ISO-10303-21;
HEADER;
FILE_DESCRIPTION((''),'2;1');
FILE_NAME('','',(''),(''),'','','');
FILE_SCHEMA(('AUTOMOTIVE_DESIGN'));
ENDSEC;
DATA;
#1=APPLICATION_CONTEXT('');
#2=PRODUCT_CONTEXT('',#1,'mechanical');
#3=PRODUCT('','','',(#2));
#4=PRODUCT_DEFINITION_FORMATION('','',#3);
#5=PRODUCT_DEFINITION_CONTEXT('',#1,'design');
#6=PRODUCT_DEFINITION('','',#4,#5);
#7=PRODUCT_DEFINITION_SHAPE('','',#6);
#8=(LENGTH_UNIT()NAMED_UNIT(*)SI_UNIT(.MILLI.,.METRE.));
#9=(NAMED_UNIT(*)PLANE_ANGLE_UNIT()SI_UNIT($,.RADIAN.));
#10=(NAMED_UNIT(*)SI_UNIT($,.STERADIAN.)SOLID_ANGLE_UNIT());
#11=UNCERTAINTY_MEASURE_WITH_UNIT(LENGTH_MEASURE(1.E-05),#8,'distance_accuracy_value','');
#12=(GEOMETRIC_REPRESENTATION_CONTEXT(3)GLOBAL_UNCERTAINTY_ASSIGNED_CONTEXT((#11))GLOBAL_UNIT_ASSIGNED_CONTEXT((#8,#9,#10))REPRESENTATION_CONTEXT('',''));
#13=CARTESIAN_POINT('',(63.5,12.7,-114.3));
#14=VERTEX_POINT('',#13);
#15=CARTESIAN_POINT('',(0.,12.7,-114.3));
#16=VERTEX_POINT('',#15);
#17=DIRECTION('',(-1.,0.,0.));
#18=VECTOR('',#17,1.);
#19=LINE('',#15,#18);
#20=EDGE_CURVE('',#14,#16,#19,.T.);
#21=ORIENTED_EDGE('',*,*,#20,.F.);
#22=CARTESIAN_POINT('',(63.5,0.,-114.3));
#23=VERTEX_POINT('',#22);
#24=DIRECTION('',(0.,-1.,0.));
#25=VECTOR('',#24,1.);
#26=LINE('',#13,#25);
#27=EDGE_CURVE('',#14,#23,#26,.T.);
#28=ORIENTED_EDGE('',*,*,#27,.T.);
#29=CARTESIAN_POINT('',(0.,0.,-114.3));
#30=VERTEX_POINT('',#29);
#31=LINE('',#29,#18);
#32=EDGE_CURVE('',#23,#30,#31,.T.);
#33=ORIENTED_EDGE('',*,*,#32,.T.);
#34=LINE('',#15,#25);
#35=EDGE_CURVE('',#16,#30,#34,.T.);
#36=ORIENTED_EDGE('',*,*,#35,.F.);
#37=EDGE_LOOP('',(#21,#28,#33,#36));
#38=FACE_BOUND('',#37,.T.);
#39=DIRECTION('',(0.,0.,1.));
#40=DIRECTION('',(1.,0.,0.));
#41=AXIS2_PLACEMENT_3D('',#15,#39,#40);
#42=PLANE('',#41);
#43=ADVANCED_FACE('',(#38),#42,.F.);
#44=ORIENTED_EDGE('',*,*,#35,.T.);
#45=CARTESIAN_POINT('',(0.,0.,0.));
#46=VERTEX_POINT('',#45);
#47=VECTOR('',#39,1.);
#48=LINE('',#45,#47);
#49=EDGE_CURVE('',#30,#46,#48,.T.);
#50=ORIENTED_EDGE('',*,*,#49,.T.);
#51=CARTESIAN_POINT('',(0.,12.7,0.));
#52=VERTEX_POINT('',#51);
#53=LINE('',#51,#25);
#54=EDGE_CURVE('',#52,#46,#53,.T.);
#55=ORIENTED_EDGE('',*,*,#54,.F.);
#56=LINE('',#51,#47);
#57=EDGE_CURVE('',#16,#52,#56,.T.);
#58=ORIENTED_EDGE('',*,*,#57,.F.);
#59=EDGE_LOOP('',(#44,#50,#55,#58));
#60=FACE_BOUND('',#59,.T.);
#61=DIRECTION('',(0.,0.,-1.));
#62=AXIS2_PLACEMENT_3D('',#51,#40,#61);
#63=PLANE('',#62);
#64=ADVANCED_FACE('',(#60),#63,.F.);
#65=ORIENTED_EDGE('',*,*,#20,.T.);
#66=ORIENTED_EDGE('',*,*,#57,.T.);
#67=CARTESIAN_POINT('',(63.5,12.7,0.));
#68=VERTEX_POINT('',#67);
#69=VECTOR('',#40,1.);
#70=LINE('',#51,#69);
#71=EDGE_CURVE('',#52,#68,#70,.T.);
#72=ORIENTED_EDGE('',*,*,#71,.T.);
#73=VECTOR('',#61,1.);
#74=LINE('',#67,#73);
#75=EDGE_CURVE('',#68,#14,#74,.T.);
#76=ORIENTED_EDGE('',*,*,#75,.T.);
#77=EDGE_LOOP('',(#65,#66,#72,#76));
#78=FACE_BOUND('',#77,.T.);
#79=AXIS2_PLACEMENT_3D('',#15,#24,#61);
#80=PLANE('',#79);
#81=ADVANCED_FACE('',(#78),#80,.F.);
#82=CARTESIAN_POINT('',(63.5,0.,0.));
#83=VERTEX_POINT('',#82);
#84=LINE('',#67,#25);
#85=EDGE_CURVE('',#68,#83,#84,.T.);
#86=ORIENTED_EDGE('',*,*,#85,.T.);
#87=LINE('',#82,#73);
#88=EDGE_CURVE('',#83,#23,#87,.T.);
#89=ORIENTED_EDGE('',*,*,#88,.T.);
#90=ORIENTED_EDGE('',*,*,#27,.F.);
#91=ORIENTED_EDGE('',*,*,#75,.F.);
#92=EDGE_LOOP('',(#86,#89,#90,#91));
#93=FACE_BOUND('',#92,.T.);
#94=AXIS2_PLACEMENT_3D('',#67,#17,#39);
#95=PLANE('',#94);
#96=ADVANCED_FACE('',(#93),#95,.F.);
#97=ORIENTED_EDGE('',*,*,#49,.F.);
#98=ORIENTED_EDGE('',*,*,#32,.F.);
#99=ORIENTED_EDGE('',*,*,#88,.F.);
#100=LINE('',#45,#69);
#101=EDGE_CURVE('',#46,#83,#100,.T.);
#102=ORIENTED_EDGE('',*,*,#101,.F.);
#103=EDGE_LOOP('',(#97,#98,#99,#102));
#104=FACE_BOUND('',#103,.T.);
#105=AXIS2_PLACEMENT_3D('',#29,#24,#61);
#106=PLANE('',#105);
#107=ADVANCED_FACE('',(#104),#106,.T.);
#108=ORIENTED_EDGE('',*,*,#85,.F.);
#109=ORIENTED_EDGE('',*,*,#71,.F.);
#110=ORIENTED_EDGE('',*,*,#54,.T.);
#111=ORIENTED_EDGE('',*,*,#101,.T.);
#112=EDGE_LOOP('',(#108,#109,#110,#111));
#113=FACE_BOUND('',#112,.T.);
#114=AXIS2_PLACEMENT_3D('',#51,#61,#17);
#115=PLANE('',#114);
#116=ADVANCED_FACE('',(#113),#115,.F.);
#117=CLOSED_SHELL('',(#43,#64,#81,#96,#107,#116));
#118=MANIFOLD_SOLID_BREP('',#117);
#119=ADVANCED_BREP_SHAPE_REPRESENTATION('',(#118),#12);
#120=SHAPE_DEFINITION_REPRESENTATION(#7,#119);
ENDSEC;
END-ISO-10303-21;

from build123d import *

# Parameters (mm, degrees)
SKETCH1_W      = 63.5
SKETCH1_H      = 114.3
EXTRUDE1_DEPTH = 12.7


with BuildPart() as part:
    # Sketch1 → Extrude1 (new body)
    with BuildSketch(Plane(origin=(0, 0, 0), x_dir=(1, 0, 0), z_dir=(0, 1, 0))):
        with Locations((31.75, 57.15)):
            Rectangle(SKETCH1_W, SKETCH1_H)
    extrude(amount=EXTRUDE1_DEPTH)


solid = part.part
